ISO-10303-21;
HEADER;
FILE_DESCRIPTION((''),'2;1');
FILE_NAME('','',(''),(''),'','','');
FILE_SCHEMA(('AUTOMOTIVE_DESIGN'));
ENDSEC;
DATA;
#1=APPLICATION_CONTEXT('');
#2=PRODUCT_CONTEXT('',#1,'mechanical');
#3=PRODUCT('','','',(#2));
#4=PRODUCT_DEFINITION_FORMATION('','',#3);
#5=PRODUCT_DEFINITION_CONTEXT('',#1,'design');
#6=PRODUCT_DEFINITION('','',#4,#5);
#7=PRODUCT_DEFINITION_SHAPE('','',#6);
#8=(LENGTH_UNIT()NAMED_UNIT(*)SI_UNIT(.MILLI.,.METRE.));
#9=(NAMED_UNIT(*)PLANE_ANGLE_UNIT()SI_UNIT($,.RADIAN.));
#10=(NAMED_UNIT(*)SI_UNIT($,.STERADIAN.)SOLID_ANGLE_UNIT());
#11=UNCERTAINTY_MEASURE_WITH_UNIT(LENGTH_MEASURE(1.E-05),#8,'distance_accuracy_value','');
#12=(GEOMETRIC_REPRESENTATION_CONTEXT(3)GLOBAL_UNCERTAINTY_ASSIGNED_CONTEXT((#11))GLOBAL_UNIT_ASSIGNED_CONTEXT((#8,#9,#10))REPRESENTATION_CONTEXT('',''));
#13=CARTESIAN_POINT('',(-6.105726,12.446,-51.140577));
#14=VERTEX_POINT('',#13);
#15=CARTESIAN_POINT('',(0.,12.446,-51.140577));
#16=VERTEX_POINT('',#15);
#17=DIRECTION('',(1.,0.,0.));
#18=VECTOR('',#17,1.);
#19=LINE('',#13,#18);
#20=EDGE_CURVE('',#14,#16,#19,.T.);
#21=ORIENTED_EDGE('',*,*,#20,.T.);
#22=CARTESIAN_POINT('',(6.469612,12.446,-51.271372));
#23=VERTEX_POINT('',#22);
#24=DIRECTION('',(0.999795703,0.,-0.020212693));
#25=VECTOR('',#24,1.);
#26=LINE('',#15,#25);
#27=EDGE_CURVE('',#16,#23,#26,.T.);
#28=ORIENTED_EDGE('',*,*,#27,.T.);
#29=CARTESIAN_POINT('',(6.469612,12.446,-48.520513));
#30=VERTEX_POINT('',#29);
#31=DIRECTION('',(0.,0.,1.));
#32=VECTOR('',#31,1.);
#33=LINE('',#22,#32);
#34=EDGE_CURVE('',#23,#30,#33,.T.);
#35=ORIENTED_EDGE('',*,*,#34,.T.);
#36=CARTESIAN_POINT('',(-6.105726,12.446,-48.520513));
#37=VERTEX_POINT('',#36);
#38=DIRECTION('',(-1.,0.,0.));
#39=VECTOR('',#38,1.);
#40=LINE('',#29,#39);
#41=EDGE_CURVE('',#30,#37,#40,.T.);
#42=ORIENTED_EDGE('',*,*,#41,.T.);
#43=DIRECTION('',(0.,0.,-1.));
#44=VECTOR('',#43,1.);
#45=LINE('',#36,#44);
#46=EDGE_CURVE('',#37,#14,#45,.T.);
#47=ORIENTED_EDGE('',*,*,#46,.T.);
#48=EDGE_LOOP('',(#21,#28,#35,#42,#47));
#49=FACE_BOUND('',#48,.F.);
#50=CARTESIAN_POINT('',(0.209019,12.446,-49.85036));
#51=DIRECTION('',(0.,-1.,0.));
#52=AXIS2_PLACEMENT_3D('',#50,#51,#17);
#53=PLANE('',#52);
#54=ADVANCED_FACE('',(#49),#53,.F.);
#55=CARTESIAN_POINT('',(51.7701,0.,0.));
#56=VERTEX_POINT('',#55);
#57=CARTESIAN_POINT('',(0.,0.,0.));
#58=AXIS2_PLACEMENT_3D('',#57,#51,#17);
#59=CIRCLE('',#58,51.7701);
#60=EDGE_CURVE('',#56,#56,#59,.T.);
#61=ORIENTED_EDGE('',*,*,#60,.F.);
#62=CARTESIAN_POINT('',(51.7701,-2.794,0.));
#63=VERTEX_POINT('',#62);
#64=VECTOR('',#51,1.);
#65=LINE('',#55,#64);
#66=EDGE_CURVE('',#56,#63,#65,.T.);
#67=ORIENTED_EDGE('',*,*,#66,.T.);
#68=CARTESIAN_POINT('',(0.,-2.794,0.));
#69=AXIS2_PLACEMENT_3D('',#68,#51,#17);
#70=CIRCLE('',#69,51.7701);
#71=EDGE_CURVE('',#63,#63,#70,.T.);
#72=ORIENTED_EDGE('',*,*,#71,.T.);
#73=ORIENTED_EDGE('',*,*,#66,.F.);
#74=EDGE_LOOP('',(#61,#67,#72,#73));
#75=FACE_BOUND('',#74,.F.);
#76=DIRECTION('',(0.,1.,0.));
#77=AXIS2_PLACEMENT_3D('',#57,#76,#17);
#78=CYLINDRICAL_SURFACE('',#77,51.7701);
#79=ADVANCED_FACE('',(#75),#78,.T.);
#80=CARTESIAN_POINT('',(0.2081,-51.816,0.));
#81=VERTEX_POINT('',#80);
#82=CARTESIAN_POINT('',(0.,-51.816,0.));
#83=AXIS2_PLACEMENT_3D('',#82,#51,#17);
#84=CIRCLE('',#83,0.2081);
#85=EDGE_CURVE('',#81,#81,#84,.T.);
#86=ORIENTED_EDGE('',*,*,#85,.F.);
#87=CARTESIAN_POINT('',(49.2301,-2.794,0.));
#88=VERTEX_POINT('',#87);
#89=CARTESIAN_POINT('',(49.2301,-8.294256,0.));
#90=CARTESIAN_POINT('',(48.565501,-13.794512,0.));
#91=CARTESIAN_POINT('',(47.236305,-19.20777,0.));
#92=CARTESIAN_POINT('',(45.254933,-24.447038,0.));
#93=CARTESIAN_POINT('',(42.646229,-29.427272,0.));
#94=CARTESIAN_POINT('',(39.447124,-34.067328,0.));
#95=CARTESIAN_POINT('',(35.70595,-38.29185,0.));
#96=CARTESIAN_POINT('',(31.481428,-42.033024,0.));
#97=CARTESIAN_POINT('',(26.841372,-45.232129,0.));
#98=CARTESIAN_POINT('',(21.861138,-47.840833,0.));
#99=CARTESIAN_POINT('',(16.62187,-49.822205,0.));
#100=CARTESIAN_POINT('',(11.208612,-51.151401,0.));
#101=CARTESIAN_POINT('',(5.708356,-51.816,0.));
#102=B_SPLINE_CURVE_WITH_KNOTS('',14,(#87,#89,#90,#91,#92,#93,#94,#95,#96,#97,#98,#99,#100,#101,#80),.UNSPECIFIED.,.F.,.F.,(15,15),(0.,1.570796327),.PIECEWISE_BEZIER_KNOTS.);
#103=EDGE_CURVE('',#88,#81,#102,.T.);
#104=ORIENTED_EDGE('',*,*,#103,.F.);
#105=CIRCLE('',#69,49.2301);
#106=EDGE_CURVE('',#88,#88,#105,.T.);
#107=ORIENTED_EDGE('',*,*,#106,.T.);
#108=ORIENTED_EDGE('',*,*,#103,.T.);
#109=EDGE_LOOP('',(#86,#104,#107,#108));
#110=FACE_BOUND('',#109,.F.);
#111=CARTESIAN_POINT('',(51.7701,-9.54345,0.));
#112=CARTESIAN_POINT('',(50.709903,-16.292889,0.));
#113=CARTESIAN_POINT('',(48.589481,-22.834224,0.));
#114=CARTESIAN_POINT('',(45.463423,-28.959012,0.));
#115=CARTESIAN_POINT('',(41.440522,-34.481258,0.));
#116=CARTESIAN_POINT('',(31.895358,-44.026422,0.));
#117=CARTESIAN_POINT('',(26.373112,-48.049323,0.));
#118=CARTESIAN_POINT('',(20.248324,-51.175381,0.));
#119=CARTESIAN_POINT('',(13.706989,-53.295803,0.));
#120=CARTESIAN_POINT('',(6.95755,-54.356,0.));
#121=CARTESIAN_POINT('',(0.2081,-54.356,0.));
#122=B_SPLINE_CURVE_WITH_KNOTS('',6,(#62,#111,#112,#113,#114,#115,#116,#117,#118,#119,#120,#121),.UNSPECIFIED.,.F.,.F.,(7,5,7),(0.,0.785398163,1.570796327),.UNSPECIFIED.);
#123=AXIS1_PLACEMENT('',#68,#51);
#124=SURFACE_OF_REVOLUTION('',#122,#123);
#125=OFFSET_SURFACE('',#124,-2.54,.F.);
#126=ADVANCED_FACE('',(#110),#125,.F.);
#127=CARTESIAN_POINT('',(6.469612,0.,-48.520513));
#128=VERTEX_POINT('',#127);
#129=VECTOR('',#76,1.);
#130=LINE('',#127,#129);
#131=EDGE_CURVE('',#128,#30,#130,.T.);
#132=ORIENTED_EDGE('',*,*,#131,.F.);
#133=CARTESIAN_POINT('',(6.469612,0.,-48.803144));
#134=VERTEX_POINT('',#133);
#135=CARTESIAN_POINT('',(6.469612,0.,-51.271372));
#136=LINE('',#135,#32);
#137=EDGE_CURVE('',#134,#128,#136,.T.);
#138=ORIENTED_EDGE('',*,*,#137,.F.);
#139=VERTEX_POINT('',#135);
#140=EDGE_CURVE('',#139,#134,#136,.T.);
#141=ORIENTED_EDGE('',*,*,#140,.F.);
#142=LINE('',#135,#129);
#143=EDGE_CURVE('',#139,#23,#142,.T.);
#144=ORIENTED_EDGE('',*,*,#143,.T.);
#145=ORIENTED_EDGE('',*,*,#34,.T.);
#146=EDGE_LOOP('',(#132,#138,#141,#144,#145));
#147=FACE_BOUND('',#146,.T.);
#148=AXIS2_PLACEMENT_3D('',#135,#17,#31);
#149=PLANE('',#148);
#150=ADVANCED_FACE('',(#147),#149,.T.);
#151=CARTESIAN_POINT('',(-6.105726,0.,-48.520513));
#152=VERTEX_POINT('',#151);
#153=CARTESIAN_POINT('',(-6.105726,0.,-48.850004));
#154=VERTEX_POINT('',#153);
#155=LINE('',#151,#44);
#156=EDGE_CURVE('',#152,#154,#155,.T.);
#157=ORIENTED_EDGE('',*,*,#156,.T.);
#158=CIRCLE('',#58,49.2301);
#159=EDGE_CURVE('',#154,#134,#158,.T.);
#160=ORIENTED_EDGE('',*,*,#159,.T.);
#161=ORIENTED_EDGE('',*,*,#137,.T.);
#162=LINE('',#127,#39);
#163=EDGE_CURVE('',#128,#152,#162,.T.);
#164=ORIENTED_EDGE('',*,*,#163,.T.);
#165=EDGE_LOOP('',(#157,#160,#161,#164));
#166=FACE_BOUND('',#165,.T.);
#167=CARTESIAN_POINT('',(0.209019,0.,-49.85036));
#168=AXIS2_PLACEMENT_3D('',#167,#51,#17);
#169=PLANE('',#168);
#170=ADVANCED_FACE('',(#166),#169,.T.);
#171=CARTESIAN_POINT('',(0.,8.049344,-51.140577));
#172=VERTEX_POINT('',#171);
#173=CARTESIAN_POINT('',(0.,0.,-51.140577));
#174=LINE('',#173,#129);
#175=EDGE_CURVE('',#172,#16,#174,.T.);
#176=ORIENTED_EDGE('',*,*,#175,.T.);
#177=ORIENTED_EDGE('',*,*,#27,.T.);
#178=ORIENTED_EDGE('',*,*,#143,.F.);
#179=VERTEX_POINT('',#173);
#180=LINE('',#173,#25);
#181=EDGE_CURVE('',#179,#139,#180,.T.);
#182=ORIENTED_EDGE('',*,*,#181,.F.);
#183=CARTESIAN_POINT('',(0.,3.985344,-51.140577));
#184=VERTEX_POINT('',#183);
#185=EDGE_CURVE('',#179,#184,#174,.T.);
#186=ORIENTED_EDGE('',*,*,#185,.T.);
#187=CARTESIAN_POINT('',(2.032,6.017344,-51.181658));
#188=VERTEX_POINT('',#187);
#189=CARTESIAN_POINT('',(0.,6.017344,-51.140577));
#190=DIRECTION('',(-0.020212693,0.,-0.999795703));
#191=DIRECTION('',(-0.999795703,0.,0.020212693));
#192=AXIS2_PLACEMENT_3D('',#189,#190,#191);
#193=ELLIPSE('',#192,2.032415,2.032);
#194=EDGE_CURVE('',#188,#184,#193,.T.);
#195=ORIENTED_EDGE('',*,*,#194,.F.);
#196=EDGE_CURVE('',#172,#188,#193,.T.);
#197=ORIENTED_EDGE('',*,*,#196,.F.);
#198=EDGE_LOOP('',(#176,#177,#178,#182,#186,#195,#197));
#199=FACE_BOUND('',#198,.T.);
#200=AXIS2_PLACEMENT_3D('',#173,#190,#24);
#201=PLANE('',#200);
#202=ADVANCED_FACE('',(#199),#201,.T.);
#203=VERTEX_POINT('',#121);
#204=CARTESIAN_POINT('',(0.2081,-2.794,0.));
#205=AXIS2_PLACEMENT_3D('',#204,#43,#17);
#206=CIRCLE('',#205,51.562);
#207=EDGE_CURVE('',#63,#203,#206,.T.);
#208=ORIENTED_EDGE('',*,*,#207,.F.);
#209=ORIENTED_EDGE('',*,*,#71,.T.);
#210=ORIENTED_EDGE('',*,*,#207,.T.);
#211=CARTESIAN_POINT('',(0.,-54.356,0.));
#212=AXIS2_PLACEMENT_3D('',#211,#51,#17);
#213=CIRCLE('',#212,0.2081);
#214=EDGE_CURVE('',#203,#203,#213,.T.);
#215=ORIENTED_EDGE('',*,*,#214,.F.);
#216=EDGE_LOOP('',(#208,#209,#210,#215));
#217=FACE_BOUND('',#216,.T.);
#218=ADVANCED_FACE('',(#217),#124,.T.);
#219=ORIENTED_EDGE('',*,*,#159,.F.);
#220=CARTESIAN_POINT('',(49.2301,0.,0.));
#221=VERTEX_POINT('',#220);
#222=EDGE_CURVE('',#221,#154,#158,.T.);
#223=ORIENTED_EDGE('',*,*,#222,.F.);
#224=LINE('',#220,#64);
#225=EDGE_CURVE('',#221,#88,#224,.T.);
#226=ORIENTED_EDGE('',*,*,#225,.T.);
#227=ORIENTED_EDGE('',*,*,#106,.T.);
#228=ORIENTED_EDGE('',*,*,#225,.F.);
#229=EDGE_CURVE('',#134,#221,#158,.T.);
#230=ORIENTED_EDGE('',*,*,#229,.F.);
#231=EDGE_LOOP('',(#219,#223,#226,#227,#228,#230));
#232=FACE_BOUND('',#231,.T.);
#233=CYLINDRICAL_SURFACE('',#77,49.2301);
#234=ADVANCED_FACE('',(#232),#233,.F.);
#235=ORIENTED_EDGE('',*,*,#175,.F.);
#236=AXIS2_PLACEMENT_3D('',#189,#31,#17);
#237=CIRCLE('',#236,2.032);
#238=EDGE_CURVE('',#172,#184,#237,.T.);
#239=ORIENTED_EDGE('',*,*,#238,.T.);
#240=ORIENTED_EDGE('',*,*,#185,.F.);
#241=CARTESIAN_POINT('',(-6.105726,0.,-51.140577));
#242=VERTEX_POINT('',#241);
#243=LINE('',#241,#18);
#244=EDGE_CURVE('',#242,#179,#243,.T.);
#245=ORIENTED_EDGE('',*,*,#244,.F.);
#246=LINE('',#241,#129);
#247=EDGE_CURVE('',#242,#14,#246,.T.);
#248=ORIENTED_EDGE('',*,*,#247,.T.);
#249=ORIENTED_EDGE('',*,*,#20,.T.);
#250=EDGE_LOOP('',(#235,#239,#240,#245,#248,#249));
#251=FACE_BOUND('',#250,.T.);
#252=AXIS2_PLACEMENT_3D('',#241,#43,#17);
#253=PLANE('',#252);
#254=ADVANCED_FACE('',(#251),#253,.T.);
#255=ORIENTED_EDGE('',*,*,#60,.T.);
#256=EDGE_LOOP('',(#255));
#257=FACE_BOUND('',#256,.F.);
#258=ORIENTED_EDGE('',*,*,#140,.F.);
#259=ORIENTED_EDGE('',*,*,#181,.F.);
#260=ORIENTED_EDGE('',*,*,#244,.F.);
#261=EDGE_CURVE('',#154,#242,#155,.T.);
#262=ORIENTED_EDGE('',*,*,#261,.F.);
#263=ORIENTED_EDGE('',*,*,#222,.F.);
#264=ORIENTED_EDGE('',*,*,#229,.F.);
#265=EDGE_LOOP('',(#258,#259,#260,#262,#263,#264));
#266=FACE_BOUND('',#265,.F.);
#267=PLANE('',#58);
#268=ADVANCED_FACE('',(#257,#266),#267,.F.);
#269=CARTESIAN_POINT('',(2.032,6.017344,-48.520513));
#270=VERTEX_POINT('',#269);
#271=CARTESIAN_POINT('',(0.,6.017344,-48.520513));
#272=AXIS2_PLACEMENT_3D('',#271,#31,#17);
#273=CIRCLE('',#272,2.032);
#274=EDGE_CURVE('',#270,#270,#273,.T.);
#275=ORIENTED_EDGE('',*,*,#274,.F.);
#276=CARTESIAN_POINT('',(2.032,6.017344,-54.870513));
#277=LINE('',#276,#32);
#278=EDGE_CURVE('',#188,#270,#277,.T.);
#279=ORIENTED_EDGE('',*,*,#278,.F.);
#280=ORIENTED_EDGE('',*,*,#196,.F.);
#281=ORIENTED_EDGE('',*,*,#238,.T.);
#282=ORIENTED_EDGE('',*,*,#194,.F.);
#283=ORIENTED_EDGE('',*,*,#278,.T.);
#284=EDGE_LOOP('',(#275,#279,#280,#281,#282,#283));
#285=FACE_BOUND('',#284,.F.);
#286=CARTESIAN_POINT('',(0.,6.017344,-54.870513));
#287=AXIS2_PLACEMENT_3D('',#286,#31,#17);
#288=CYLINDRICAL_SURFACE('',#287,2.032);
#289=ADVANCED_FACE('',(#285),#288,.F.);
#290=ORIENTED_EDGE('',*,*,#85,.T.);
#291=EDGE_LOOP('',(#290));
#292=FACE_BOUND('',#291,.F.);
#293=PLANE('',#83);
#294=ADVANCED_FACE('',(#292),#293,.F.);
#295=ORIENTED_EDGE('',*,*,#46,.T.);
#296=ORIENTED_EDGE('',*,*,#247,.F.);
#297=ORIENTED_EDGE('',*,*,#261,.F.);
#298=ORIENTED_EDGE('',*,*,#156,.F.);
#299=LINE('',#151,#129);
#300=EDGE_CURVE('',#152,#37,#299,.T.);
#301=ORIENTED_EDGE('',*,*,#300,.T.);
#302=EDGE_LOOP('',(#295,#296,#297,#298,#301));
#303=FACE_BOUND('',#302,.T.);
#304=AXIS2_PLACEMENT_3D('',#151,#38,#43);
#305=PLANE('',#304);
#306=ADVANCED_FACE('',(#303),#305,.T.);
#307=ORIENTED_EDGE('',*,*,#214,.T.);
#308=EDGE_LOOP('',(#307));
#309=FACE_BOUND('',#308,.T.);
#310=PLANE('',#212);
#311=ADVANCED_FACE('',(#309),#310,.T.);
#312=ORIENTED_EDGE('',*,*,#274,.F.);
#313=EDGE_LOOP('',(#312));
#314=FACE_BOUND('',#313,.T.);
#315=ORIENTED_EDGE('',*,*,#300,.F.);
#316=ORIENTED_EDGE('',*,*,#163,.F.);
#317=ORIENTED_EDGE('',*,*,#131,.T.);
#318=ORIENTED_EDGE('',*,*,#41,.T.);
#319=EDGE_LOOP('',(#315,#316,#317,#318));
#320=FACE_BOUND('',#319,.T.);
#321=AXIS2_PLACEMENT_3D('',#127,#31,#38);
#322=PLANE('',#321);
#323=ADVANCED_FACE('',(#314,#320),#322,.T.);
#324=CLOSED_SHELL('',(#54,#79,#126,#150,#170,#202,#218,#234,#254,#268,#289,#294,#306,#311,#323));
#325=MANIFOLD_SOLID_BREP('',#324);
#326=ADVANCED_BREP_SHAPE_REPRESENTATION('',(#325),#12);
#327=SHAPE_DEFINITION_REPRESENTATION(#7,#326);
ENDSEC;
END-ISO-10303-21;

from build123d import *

# Parameters (mm, degrees)
F0_R           = 51.7701
F1_DEPTH       = 54.356
F2_R           = 51.562
F3_T           = -2.54
F5_DEPTH       = 12.446
F7_D           = 2.54
F7_CBORE_D     = 4.064
F7_CBORE_DEPTH = 6.35


with BuildPart() as f1:
    # F0 (on Front) → F1 (new body)
    with BuildSketch(Plane.XZ):
        Circle(F0_R)
    extrude(amount=F1_DEPTH)

    # F2
    f2_edges = [f1.edges().sort_by_distance(p)[0] for p in [
        (-51.7701, -54.356, 0),
    ]]
    fillet(f2_edges, radius=F2_R)

    # F3
    f3_openings = [f1.faces().sort_by_distance(p)[0] for p in [
        (0, 0, 0),
    ]]
    offset(amount=F3_T, openings=f3_openings)

    # F4 (on Front) → F5 (join)
    with BuildSketch(Plane.XZ):
        Polygon((0, -51.140577), (6.469612, -51.271372), (6.469612, -48.520513), (-6.105726, -48.520513), (-6.105726, -51.140577), align=None)
    extrude(amount=-F5_DEPTH)

    # F7 (through all)
    with Locations(Plane.XY.offset(-48.520513)):
        with Locations((0, 6.017344)):
            CounterBoreHole(F7_D / 2, F7_CBORE_D / 2, F7_CBORE_DEPTH)


solid = f1.part
